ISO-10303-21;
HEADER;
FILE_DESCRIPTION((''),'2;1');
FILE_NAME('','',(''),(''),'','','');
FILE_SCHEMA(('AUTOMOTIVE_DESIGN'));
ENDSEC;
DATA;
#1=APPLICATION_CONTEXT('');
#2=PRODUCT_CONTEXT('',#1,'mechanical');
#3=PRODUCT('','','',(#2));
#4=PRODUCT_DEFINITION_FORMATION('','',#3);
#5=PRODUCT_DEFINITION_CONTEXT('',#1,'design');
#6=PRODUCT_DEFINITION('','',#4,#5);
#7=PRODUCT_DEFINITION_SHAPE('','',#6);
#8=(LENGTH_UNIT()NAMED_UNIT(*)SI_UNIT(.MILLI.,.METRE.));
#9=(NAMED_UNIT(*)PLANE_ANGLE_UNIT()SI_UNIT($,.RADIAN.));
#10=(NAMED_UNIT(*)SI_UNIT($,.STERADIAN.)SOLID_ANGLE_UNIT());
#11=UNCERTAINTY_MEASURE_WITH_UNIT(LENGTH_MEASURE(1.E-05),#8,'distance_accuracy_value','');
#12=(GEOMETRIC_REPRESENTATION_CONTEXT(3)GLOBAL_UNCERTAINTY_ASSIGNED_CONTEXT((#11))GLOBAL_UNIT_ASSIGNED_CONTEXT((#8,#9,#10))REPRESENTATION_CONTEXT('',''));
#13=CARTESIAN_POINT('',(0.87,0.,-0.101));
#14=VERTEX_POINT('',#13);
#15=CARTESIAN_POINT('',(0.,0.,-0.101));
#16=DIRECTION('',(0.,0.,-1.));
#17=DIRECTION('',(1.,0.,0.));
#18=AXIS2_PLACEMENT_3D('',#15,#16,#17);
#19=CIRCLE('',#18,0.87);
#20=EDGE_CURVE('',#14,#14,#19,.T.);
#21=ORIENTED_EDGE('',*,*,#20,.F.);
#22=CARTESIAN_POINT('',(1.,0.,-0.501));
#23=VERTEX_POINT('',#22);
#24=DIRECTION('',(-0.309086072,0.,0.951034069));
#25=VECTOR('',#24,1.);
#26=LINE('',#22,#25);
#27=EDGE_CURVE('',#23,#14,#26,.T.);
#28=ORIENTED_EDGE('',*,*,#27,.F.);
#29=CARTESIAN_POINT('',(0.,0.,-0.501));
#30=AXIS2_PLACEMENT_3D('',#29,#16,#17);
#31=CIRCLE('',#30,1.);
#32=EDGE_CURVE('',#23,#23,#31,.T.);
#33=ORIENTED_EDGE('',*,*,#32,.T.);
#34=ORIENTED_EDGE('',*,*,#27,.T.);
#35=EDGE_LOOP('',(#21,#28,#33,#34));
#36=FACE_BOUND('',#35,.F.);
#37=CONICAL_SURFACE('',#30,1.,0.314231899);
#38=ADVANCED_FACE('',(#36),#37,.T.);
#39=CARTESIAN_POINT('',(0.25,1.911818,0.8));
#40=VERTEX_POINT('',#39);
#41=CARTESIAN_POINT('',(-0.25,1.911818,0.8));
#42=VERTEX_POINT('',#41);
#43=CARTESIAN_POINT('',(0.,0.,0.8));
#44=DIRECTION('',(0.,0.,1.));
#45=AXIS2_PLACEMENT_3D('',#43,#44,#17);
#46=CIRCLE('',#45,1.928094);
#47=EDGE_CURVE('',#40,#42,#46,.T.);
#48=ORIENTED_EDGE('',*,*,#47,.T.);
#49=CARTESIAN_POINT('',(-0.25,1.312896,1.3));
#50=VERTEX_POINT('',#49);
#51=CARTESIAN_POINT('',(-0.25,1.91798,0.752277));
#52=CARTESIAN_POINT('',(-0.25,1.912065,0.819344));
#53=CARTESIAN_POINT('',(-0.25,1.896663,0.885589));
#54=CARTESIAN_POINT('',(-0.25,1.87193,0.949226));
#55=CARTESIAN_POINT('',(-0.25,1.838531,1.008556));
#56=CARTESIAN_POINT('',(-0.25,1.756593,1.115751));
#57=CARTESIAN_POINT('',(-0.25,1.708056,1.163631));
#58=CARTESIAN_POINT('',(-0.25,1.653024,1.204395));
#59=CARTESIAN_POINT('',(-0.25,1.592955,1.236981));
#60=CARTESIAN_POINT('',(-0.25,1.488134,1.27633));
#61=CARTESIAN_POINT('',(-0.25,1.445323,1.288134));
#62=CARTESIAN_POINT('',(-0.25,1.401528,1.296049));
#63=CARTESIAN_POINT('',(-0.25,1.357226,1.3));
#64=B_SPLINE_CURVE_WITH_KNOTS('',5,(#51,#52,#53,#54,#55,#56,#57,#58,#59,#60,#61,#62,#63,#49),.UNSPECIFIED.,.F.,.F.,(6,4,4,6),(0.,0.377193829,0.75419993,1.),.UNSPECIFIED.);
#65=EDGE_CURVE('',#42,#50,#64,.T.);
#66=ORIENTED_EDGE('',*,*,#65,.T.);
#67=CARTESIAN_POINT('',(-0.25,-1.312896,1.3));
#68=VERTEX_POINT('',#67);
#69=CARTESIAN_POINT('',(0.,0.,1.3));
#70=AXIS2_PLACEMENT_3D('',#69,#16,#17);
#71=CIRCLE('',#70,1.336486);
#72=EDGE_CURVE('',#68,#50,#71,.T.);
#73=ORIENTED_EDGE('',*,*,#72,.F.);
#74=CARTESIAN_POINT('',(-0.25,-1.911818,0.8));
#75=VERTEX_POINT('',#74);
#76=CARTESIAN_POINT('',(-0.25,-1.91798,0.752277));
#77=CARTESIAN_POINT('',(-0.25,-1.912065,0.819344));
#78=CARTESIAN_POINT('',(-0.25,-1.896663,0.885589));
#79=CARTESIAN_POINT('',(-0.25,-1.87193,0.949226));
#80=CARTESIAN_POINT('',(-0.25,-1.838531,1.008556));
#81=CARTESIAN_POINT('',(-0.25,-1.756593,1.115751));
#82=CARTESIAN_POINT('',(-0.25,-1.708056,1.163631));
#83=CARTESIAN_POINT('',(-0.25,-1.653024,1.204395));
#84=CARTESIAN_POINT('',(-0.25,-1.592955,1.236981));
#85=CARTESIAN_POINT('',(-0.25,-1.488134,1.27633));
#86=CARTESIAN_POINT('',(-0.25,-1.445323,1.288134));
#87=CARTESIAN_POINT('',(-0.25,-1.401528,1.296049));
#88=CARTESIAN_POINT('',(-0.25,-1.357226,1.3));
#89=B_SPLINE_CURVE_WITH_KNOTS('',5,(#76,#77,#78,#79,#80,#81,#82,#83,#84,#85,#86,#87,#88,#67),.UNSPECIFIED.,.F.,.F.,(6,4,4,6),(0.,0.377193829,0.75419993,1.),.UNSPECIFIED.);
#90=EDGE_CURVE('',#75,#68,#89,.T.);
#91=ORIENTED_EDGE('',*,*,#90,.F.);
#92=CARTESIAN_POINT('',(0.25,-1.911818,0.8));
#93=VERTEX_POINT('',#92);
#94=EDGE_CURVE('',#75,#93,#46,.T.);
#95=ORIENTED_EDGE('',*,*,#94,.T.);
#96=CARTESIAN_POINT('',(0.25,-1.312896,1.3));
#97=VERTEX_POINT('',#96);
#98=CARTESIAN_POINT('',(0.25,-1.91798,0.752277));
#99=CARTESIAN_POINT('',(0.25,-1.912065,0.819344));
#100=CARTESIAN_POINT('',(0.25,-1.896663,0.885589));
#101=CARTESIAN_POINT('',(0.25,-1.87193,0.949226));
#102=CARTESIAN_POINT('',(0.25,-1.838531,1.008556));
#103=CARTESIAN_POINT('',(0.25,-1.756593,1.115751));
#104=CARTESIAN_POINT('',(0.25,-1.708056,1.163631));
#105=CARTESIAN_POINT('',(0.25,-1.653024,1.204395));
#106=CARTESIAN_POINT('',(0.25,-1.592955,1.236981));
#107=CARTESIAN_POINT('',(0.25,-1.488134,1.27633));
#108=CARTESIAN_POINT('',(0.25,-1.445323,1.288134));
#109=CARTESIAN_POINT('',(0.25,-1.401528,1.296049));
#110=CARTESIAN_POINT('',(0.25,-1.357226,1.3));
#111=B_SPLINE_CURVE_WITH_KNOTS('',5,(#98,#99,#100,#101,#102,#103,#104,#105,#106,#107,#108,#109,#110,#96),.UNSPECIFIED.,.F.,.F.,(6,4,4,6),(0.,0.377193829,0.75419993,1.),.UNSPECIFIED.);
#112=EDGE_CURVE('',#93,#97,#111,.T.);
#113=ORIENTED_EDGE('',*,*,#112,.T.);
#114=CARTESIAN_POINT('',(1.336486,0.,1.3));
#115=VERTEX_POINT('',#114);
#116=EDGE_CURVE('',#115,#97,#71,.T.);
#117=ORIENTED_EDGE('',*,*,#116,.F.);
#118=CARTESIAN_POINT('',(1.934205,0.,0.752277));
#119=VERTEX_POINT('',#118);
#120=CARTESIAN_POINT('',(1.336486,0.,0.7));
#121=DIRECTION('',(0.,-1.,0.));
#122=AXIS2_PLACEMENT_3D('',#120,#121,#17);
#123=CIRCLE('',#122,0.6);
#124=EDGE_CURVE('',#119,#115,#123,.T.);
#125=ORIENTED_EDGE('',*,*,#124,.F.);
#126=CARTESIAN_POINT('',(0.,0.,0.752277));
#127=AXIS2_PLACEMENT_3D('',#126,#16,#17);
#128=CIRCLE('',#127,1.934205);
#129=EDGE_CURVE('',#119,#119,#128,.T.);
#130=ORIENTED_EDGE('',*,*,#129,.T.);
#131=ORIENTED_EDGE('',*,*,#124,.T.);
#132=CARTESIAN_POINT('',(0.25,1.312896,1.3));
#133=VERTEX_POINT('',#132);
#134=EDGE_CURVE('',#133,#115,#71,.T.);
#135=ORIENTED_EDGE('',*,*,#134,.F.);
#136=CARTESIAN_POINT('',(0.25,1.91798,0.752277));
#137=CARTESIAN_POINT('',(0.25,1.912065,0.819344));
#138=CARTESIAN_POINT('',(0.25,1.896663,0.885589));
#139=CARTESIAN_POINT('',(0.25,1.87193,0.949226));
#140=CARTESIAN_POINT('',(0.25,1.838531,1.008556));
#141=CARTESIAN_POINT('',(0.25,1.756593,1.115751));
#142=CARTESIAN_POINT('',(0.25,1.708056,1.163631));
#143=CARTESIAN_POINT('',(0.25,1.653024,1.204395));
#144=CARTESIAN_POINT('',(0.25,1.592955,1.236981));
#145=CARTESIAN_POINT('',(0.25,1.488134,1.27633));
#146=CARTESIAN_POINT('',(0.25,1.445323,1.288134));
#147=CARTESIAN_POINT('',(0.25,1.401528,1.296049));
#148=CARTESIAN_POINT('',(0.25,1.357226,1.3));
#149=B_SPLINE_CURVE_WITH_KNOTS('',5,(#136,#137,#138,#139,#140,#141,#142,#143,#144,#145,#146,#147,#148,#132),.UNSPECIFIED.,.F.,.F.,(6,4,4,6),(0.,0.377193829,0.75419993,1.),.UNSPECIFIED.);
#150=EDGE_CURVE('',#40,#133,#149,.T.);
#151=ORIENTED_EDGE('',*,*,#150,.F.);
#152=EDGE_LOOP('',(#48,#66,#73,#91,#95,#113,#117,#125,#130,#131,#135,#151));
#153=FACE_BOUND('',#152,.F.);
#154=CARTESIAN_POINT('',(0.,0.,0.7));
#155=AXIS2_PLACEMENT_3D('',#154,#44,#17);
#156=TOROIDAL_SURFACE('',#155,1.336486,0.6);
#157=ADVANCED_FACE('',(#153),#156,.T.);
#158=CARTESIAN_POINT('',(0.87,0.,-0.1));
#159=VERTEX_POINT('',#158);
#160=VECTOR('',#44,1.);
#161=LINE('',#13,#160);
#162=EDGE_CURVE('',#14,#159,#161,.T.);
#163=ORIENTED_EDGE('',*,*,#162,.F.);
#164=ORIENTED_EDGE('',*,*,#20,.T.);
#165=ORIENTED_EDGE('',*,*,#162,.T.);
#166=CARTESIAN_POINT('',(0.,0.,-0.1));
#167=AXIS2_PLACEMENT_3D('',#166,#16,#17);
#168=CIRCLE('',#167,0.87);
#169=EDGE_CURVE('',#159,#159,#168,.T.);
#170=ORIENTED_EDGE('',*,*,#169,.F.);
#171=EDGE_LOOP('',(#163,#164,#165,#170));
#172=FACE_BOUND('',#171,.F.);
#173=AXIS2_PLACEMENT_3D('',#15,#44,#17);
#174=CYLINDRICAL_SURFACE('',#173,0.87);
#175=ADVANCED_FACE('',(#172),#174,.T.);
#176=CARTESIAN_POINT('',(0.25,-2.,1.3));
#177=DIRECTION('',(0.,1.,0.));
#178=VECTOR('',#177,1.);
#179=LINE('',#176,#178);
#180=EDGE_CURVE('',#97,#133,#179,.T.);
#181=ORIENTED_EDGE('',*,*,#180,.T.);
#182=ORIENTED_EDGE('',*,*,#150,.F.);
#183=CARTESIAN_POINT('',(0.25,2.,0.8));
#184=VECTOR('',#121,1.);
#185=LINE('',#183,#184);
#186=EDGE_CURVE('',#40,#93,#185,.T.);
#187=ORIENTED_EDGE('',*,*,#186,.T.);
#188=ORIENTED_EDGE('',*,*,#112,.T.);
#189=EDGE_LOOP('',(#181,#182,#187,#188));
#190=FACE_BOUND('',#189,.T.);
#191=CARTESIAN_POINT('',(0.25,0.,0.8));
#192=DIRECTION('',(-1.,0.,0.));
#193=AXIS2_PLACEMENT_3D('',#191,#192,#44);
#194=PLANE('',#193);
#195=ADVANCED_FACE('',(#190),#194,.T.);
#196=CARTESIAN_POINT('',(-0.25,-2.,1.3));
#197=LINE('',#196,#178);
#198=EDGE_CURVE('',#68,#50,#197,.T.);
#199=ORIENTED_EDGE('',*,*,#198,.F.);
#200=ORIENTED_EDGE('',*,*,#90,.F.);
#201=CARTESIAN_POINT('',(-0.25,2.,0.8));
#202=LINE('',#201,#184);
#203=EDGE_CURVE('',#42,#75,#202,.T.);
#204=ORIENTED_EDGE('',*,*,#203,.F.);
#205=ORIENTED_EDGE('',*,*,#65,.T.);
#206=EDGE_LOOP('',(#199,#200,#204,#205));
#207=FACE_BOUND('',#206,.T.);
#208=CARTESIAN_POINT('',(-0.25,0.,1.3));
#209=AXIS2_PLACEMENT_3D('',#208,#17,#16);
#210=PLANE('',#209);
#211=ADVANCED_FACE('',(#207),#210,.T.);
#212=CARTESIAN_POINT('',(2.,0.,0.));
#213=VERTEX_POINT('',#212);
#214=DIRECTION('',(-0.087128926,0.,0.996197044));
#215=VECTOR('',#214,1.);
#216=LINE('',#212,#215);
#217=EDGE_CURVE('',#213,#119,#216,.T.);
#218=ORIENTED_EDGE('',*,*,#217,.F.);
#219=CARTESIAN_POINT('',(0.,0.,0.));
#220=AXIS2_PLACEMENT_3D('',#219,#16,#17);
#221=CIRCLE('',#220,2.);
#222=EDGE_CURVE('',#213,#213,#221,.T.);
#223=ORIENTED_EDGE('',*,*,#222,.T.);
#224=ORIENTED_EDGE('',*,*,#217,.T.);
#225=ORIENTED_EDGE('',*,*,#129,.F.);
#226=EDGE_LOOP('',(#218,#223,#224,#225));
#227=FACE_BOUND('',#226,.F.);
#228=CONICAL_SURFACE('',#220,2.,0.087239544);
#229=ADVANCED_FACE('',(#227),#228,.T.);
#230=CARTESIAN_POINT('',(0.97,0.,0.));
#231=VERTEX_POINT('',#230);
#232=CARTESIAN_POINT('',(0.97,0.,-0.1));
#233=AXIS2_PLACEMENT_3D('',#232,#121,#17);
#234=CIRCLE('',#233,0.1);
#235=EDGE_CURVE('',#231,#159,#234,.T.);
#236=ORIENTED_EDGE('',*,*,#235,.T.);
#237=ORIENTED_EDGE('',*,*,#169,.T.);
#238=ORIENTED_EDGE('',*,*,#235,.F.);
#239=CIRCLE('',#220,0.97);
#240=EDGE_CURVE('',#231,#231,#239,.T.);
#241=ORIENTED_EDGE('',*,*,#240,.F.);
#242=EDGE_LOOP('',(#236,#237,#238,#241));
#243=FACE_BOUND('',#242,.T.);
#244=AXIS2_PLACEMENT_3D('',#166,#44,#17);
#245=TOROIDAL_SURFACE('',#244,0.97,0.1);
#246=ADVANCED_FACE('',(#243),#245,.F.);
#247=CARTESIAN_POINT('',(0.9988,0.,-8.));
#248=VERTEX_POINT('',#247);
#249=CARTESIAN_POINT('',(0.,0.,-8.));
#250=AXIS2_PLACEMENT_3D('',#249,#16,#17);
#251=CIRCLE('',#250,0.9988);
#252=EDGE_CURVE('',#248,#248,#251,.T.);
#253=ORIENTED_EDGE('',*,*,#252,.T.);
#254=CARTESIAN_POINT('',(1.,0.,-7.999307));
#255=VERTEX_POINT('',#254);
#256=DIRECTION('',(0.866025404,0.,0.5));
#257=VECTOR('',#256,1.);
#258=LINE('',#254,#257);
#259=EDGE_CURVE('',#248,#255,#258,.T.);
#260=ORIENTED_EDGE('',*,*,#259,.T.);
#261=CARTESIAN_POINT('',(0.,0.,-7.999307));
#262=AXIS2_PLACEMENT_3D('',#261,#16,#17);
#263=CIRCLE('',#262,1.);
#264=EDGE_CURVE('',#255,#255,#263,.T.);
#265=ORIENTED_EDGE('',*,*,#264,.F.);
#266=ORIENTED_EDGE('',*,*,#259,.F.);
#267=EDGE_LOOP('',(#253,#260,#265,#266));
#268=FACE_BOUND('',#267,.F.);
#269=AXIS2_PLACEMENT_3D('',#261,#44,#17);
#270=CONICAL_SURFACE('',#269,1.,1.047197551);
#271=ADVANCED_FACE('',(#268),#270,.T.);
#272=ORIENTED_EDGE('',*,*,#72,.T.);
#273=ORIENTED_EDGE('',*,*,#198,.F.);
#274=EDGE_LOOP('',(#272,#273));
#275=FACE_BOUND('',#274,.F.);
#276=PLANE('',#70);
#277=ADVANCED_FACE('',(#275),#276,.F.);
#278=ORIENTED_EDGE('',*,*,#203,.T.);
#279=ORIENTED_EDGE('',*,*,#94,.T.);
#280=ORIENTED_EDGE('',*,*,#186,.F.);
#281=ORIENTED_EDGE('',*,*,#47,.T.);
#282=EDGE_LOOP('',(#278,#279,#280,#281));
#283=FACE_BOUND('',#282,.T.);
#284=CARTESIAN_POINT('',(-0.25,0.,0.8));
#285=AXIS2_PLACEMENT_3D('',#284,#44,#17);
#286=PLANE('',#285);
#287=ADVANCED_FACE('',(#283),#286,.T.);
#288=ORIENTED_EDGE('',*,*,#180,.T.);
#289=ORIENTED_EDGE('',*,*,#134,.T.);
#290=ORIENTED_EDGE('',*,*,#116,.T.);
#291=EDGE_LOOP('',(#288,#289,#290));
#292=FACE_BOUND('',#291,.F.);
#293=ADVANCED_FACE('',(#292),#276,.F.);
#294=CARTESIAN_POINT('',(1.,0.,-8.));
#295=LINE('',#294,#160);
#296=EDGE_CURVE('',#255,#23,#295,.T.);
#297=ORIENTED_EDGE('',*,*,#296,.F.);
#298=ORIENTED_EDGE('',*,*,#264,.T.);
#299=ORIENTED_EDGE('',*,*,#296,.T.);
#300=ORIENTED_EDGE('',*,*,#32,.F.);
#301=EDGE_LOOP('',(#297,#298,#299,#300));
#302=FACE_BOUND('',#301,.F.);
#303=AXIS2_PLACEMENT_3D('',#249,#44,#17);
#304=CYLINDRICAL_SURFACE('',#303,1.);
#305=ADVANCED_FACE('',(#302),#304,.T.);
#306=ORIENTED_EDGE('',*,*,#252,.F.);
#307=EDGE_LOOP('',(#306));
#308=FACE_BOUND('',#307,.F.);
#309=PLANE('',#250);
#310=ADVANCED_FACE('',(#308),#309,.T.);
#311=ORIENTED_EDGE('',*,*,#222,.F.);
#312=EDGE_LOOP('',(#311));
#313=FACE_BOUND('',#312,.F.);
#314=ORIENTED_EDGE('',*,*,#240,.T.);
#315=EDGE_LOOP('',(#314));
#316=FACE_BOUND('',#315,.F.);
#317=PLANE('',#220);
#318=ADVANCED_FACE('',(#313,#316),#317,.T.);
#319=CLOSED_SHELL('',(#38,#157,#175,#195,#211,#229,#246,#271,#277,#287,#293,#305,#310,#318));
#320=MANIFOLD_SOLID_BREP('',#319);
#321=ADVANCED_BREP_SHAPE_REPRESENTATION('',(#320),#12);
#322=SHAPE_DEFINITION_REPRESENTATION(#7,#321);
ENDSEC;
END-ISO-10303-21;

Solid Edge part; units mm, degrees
sketch "Sketch1" plane through (0, 0, 0) normal (0, -1, 0) x (1, 0, 0)
  line L0 (0, -8) -> (1, -8)
  line L1 (1, -8) -> (1, -0.501)
  line L2 (1, -0.501) -> (0.87, -0.101)
  line L3 (0.87, -0.101) -> (0.87, 0)
  line L4 (0.87, 0) -> (2, 0)
  line L5 (2, 0) -> (1.8863, 1.3)
  line L6 (1.8863, 1.3) -> (0, 1.3)
  dimension "D1" = 1
  dimension "D2" = 0.87
  dimension "D3" = 8
  dimension "D4" = 7.499
  dimension "D5" = 0.4
  dimension "D6" = 2
  dimension "D7" = 1.3
revolve "RevolvedProtrusion1" add sketch "Sketch1" angle 360 about axis through (0, 0, 6) along (0, 0, -1)
fillet "Round_1" radius 0.6 1 edges at (-1.8863, 0, 1.3)
sketch "Sketch2" plane through (0, 0, 0) normal (0, -1, 0) x (1, 0, 0)
  line L0 (-0.25, 1.3) -> (-0.25, 0.8)
  line L1 (-0.25, 0.8) -> (0.25, 0.8)
  line L2 (0.25, 0.8) -> (0.25, 1.3)
  line L3 (0.25, 1.3) -> (-0.25, 1.3)
  dimension "D1" = 0.5
  dimension "D2" = 0.5
  dimension "D3" = 1.3
extrude "ExtrudedCutout_1" cut sketch "Sketch2" along normal mid plane 4
cosmetic_thread "Thread_1" size "M2" thread depth 7.499
fillet "Round_2" radius 0.1 1 edges at (-0.87, 0, 0)
chamfer "Chamfer_1" distance 0.0012 angle 30 1 edges at (-1, 0, -8) measured on face at (0.6867, 0.6467, -8)
properties material "Steel"
